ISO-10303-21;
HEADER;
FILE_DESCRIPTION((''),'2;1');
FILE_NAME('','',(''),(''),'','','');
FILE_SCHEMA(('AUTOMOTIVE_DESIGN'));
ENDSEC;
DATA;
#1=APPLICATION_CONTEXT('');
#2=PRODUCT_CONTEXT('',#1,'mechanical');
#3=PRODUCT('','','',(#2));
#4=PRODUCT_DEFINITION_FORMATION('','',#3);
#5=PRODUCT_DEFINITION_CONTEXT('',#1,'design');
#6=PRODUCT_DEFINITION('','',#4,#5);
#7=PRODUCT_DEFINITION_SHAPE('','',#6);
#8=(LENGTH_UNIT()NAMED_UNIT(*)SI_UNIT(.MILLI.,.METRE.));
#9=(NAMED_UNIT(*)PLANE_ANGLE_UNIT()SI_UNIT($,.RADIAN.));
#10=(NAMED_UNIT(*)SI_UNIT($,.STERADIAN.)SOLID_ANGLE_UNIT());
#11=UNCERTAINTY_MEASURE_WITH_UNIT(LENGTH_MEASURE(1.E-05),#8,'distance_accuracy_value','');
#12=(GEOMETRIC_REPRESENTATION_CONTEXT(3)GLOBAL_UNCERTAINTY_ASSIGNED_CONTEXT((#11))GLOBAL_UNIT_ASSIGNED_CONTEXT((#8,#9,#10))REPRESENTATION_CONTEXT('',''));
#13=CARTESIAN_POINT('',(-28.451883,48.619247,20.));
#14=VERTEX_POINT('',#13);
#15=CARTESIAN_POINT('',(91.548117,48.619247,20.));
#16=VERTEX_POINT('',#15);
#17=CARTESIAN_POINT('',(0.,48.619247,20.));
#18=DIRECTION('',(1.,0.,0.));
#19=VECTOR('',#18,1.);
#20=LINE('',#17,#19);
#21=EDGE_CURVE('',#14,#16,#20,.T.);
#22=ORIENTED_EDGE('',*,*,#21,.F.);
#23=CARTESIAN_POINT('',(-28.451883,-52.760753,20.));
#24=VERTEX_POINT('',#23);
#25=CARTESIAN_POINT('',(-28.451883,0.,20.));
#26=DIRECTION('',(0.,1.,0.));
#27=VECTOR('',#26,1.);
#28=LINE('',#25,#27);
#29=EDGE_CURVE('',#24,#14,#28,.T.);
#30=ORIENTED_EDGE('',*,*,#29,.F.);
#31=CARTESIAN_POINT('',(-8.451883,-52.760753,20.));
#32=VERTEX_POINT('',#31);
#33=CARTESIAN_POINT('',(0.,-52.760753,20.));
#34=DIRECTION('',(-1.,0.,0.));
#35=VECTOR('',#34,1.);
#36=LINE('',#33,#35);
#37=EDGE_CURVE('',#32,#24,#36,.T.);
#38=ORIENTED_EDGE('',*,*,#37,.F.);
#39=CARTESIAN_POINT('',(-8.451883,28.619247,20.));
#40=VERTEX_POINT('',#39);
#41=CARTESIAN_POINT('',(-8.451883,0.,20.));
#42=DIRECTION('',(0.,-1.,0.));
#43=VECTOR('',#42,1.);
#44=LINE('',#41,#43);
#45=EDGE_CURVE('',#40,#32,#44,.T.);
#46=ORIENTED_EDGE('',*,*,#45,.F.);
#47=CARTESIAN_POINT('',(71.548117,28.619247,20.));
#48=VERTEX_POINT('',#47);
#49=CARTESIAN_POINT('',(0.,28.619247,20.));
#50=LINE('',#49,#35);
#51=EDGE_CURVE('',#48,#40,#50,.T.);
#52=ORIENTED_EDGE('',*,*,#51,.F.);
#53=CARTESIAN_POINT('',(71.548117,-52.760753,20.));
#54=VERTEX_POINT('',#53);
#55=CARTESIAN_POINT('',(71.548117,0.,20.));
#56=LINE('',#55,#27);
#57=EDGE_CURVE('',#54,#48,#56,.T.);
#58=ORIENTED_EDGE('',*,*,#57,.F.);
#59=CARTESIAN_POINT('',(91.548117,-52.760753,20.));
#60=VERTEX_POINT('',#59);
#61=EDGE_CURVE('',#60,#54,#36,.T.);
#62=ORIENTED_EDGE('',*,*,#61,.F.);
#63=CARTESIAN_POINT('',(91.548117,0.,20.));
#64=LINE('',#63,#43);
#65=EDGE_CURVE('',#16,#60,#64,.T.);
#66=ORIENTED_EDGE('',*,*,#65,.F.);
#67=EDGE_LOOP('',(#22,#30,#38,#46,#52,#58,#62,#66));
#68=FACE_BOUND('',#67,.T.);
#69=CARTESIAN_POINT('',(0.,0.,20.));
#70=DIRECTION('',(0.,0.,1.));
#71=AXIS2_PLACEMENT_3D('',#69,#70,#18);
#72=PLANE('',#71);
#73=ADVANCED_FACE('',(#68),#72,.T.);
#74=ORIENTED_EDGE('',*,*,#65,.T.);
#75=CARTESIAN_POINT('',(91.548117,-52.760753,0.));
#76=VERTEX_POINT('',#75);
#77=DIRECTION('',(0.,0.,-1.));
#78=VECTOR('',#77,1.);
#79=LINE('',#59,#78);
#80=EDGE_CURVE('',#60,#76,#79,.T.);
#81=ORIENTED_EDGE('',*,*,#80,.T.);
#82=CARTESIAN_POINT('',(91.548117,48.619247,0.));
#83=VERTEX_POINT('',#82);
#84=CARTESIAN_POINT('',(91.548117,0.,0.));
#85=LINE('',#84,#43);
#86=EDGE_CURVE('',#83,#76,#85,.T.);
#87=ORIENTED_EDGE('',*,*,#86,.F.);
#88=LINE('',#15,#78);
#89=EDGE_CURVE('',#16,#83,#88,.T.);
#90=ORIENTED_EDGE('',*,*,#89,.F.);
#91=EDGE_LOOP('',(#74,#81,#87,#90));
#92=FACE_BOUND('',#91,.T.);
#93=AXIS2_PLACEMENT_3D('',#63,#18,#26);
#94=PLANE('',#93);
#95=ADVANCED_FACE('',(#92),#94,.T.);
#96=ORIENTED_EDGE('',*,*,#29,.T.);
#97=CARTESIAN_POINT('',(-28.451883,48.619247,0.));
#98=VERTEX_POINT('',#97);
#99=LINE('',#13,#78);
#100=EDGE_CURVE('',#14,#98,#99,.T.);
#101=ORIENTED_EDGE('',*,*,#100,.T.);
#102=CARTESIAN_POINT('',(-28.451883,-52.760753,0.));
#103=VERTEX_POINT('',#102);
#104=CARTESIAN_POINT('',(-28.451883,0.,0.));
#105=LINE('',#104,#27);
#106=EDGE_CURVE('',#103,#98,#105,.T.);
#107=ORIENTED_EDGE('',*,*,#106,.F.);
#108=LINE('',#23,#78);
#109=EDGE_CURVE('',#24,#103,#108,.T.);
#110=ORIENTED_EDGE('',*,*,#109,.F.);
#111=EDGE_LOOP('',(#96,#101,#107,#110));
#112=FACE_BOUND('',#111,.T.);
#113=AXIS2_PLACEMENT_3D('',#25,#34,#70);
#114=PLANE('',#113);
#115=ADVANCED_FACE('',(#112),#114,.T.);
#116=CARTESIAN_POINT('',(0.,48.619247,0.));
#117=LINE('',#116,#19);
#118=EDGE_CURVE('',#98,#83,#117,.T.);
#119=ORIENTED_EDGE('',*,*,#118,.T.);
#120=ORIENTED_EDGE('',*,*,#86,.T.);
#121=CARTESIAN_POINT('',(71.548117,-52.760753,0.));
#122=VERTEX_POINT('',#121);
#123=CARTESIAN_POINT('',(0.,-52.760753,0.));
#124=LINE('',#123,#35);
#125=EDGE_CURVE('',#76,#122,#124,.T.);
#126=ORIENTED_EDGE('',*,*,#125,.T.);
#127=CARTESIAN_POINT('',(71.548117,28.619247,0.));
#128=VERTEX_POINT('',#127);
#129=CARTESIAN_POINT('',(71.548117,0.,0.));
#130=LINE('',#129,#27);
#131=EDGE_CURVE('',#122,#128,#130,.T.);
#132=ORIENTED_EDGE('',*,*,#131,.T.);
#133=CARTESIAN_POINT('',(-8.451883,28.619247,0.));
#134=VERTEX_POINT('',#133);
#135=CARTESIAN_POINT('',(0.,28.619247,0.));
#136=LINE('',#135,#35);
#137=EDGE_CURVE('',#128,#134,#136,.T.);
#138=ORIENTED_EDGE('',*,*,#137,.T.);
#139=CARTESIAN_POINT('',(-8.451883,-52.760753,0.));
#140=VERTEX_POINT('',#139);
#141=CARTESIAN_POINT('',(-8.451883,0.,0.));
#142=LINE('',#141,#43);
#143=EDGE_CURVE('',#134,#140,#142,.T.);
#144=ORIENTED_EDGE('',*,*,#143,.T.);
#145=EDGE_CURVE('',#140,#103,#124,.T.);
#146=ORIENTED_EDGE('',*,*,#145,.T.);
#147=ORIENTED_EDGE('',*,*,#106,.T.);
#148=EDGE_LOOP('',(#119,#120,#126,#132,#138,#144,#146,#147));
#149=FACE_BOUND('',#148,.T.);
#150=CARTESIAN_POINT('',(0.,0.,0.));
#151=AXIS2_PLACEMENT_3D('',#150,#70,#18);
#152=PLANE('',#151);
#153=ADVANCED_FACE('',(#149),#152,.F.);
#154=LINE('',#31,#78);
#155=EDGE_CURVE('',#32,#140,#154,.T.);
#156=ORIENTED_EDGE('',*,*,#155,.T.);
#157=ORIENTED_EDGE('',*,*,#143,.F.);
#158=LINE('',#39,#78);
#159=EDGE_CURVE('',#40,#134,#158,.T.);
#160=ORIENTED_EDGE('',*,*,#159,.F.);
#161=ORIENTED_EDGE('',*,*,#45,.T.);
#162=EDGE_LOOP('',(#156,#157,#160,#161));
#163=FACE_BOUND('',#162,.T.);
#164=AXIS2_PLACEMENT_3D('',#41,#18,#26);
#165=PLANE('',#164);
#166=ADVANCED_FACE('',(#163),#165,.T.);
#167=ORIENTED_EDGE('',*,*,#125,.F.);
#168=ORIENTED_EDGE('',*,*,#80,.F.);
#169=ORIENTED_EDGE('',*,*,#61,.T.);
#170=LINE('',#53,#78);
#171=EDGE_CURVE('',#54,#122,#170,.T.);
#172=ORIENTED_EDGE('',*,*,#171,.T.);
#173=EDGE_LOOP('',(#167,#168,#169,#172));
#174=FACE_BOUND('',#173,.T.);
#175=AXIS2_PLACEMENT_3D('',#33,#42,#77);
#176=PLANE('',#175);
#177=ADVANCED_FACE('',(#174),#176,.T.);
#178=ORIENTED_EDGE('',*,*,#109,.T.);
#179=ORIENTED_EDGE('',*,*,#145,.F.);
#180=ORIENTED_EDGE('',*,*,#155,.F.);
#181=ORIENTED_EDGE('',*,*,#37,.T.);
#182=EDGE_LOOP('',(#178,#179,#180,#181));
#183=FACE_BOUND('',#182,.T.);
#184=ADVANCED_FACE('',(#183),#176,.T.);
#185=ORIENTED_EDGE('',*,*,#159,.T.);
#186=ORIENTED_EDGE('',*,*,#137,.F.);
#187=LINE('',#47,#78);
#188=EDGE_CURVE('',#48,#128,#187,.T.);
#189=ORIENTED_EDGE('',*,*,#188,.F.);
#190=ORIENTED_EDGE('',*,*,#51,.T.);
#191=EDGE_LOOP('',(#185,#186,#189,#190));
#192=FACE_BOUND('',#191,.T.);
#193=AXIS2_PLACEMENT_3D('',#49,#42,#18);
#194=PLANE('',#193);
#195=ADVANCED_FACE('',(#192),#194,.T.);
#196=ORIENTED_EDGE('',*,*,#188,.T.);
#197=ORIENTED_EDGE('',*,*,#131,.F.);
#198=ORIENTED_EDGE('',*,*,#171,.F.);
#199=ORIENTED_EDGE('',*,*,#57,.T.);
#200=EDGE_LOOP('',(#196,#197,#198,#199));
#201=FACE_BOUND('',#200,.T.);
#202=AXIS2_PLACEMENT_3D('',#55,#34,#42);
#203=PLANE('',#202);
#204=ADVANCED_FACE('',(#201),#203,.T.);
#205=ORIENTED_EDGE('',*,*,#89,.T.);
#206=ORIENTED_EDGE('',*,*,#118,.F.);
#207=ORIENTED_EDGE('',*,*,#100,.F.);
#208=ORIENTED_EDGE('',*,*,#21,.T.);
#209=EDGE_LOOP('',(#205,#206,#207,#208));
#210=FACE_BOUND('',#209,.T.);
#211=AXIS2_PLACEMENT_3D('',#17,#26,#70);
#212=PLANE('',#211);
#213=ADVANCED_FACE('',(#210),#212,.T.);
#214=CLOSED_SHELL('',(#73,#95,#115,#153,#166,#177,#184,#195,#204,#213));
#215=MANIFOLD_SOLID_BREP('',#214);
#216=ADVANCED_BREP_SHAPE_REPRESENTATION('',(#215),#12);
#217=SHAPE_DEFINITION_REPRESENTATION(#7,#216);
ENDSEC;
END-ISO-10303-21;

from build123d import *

# Parameters (mm, degrees)
SKETCH1_W           = 20
SKETCH1_H           = 81.38
BOSS_EXTRUDE2_DEPTH = 20


with BuildPart() as part:
    # Sketch1 → Boss-Extrude2 (new body)
    with BuildSketch(Plane.XY):
        with Locations((-18.451882845, -12.070753138)):
            Rectangle(SKETCH1_W, SKETCH1_H)
        Polygon((-28.451882845, 48.619246862), (-28.451882845, 28.619246862), (-8.451882845, 28.619246862), (71.548117155, 28.619246862), (91.548117155, 28.619246862), (91.548117155, 48.619246862), align=None)
        with Locations((81.548117155, -12.070753138)):
            Rectangle(SKETCH1_W, SKETCH1_H)
    extrude(amount=BOSS_EXTRUDE2_DEPTH)


solid = part.part
